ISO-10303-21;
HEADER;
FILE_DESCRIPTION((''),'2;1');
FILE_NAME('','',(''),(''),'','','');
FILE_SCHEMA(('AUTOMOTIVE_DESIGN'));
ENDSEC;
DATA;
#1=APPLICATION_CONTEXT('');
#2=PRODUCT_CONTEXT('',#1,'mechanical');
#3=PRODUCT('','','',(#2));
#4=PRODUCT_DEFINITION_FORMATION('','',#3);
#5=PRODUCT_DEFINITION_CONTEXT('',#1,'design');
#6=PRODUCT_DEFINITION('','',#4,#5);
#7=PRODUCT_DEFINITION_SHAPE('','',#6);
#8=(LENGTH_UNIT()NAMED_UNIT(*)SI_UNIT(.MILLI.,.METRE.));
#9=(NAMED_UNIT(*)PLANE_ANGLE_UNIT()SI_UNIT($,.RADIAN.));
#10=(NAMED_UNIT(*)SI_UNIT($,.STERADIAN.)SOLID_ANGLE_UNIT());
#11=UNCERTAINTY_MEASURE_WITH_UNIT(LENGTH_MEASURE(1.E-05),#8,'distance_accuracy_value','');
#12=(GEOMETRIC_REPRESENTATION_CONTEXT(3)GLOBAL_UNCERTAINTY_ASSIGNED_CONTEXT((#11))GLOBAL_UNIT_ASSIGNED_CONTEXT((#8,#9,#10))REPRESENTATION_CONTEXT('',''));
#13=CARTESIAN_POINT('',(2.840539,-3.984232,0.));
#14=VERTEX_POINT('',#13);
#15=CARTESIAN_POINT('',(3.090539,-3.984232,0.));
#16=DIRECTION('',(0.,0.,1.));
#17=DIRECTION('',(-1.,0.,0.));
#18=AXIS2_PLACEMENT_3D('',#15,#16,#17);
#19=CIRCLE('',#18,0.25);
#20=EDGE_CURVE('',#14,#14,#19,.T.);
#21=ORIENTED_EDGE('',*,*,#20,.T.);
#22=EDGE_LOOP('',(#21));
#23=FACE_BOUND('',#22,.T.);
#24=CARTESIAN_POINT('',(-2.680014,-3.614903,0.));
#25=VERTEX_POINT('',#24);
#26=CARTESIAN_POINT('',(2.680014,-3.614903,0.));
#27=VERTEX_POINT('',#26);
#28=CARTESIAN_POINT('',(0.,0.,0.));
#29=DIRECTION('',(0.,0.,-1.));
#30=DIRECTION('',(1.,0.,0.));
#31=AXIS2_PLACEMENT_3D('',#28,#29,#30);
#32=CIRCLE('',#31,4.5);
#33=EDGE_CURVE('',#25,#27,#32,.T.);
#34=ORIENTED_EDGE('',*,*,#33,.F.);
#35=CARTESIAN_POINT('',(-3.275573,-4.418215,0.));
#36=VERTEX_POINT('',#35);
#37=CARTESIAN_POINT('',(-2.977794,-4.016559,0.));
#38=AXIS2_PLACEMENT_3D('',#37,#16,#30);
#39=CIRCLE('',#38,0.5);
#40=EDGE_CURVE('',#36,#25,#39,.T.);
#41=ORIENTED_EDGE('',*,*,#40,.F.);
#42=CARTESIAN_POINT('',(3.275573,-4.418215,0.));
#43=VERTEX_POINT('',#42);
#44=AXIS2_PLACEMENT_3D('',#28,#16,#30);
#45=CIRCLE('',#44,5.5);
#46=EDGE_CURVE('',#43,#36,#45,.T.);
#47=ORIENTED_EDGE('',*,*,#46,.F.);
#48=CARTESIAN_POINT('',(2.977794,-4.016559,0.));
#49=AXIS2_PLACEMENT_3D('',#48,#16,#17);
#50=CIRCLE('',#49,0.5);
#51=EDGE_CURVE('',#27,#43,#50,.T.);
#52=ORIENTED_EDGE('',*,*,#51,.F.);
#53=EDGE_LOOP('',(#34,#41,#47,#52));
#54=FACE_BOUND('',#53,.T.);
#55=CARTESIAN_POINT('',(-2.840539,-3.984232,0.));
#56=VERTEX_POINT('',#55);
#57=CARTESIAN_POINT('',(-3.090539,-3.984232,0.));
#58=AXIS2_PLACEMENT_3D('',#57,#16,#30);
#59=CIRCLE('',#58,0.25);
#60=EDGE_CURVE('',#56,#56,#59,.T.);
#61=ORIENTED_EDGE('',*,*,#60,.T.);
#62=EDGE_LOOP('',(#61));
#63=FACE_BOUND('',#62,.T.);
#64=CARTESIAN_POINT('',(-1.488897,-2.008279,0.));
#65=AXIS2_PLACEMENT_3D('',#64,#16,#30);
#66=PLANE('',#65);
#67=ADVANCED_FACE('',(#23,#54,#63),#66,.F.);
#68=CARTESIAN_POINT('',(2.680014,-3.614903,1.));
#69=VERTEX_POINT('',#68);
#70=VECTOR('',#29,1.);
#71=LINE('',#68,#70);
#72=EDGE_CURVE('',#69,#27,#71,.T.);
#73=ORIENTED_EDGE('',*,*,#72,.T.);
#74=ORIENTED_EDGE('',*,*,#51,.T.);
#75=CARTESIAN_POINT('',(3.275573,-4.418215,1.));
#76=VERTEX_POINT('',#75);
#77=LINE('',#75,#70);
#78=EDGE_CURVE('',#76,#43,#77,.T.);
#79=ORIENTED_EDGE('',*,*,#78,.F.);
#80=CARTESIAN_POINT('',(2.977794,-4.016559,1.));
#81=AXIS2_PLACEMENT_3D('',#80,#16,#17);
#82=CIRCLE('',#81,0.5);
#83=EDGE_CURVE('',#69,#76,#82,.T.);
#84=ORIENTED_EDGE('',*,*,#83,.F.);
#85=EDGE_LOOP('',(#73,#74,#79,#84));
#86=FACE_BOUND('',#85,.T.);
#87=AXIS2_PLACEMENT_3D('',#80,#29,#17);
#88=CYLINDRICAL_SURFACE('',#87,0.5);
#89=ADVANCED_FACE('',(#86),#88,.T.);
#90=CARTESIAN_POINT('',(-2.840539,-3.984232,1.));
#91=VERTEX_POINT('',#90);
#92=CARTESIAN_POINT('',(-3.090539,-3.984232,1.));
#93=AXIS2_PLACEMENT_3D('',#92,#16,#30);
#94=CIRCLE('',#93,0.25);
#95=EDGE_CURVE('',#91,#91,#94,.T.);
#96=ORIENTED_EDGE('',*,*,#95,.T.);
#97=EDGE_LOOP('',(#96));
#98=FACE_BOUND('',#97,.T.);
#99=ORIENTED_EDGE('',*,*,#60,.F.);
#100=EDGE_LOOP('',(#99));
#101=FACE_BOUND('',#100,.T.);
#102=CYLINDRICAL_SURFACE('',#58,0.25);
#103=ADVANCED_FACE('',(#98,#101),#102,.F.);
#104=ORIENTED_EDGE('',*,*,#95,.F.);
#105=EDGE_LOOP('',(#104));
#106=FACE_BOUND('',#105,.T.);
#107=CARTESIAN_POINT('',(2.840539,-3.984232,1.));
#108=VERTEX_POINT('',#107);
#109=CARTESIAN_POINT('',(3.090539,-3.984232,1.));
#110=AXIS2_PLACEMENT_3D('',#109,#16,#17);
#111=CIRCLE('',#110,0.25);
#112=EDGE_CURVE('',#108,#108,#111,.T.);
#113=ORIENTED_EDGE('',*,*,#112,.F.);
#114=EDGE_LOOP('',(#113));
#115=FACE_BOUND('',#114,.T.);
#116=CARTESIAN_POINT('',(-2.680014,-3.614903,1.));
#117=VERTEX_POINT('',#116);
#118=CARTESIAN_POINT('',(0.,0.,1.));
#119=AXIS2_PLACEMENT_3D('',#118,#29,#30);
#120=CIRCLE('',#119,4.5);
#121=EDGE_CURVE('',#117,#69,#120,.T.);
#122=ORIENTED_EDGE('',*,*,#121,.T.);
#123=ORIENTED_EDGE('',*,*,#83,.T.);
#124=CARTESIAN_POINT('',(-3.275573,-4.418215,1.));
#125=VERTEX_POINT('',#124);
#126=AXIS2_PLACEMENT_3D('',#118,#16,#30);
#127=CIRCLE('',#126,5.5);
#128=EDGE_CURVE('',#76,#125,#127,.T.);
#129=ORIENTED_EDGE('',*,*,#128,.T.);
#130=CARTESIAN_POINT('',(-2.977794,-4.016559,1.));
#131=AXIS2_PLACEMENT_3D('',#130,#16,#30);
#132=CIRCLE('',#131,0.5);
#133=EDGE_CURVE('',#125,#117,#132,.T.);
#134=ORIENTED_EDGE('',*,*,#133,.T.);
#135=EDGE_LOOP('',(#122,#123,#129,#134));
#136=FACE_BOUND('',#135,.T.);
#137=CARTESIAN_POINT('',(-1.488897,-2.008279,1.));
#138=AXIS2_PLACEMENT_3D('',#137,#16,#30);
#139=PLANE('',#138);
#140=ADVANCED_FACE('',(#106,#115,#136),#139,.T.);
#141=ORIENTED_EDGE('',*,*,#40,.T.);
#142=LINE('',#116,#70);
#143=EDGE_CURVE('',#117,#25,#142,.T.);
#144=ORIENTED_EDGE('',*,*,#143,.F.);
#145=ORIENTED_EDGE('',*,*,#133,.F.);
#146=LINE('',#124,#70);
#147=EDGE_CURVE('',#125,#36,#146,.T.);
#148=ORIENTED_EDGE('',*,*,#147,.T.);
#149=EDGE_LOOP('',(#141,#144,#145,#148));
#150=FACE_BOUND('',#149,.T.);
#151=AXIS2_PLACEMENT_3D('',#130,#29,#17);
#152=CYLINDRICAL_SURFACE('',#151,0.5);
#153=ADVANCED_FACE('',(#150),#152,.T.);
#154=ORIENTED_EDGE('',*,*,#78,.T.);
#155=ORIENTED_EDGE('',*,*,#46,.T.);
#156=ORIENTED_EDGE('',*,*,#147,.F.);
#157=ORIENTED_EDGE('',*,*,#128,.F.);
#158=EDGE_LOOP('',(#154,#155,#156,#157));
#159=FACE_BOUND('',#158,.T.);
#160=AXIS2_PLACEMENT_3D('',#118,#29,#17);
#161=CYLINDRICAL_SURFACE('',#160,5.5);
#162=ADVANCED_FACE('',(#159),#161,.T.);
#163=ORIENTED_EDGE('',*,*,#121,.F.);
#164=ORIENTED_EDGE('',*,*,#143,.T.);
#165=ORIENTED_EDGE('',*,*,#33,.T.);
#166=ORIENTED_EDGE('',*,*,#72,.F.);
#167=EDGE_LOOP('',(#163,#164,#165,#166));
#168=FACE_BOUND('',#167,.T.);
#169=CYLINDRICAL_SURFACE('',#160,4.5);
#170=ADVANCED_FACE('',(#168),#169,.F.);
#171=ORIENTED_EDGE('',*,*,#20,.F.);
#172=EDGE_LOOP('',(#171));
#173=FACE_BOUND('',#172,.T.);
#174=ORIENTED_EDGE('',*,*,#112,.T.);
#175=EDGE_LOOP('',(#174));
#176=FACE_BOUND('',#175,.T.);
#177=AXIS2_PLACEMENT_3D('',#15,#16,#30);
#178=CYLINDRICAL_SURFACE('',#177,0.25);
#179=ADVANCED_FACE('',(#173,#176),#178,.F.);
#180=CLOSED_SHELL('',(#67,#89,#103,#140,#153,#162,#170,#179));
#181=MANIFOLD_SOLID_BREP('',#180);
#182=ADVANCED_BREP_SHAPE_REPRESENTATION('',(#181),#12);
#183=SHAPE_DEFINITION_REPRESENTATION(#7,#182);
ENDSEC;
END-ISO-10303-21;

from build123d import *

# Parameters (mm, degrees)
BOSS_EXTRUDE1_DEPTH = 1
SKETCH2_R           = 0.25
CUT_EXTRUDE1_DEPTH  = 1


with BuildPart() as part:
    # Sketch1 → Boss-Extrude1 (new body)
    with BuildSketch(Plane.XY):
        with BuildLine():
            ThreePointArc((2.680014273, -3.614902972), (0, 4.5), (-2.680014273, -3.614902972))
            ThreePointArc((-2.680014273, -3.614902972), (-2.57613775, -4.314338222), (-3.275573, -4.418214744))
            ThreePointArc((-3.275573, -4.418214744), (0, 5.5), (3.275573, -4.418214744))
            ThreePointArc((3.275573, -4.418214744), (2.57613775, -4.314338222), (2.680014273, -3.614902972))
        make_face()
    extrude(amount=BOSS_EXTRUDE1_DEPTH)

    # Sketch2 → Cut-Extrude1 (cut)
    with BuildSketch(Plane.XY.offset(1)):
        with Locations((-3.090538889, -3.984232302)):
            Circle(SKETCH2_R)
        with Locations((3.090538889, -3.984232302)):
            Circle(SKETCH2_R)
    extrude(amount=-CUT_EXTRUDE1_DEPTH, mode=Mode.SUBTRACT)


solid = part.part
